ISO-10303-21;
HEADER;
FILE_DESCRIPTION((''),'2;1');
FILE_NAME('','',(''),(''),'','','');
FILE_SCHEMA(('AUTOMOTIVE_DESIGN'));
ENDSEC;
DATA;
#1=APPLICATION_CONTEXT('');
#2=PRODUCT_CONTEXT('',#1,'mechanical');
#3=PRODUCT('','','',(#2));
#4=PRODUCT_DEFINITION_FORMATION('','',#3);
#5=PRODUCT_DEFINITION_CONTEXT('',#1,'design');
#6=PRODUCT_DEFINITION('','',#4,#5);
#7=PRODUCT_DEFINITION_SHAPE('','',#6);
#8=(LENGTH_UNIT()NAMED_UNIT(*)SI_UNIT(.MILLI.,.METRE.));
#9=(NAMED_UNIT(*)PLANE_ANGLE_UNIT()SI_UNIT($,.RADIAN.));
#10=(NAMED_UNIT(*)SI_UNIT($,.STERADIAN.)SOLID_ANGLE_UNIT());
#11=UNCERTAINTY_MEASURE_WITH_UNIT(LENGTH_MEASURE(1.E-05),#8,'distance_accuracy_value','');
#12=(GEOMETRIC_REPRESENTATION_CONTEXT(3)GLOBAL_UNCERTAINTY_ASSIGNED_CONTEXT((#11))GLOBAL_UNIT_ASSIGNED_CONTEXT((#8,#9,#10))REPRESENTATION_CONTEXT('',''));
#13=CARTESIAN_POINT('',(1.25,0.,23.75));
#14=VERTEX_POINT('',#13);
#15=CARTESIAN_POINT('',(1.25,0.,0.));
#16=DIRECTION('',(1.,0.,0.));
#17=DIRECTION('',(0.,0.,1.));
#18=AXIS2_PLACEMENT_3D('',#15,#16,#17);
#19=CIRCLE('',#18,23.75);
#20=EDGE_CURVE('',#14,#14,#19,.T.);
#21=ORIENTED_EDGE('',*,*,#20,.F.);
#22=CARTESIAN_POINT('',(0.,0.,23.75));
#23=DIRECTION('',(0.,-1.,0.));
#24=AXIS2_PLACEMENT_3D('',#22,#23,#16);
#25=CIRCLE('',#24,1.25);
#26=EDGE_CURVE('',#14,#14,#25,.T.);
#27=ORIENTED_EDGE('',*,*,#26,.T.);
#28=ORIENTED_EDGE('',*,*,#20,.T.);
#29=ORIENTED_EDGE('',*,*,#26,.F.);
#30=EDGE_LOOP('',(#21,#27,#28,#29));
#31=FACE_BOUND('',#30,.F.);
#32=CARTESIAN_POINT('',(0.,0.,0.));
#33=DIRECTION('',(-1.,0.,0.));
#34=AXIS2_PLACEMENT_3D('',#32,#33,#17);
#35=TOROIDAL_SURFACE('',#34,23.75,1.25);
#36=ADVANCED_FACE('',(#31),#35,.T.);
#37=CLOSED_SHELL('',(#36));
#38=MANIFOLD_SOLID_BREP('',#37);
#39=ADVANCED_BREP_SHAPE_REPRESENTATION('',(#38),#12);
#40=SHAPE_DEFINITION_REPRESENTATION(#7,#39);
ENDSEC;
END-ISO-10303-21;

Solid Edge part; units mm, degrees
sketch "Sketch1" plane through (0, 0, 0) normal (0, -1, 0) x (1, 0, 0)
  circle A0 centre (0, 23.75) radius 1.25
  dimension "D1" = 2.5
revolve "RevolvedProtrusion1" add sketch "Sketch1" angle 360 about axis through (0, 0, 0) along (1, 0, 0)
